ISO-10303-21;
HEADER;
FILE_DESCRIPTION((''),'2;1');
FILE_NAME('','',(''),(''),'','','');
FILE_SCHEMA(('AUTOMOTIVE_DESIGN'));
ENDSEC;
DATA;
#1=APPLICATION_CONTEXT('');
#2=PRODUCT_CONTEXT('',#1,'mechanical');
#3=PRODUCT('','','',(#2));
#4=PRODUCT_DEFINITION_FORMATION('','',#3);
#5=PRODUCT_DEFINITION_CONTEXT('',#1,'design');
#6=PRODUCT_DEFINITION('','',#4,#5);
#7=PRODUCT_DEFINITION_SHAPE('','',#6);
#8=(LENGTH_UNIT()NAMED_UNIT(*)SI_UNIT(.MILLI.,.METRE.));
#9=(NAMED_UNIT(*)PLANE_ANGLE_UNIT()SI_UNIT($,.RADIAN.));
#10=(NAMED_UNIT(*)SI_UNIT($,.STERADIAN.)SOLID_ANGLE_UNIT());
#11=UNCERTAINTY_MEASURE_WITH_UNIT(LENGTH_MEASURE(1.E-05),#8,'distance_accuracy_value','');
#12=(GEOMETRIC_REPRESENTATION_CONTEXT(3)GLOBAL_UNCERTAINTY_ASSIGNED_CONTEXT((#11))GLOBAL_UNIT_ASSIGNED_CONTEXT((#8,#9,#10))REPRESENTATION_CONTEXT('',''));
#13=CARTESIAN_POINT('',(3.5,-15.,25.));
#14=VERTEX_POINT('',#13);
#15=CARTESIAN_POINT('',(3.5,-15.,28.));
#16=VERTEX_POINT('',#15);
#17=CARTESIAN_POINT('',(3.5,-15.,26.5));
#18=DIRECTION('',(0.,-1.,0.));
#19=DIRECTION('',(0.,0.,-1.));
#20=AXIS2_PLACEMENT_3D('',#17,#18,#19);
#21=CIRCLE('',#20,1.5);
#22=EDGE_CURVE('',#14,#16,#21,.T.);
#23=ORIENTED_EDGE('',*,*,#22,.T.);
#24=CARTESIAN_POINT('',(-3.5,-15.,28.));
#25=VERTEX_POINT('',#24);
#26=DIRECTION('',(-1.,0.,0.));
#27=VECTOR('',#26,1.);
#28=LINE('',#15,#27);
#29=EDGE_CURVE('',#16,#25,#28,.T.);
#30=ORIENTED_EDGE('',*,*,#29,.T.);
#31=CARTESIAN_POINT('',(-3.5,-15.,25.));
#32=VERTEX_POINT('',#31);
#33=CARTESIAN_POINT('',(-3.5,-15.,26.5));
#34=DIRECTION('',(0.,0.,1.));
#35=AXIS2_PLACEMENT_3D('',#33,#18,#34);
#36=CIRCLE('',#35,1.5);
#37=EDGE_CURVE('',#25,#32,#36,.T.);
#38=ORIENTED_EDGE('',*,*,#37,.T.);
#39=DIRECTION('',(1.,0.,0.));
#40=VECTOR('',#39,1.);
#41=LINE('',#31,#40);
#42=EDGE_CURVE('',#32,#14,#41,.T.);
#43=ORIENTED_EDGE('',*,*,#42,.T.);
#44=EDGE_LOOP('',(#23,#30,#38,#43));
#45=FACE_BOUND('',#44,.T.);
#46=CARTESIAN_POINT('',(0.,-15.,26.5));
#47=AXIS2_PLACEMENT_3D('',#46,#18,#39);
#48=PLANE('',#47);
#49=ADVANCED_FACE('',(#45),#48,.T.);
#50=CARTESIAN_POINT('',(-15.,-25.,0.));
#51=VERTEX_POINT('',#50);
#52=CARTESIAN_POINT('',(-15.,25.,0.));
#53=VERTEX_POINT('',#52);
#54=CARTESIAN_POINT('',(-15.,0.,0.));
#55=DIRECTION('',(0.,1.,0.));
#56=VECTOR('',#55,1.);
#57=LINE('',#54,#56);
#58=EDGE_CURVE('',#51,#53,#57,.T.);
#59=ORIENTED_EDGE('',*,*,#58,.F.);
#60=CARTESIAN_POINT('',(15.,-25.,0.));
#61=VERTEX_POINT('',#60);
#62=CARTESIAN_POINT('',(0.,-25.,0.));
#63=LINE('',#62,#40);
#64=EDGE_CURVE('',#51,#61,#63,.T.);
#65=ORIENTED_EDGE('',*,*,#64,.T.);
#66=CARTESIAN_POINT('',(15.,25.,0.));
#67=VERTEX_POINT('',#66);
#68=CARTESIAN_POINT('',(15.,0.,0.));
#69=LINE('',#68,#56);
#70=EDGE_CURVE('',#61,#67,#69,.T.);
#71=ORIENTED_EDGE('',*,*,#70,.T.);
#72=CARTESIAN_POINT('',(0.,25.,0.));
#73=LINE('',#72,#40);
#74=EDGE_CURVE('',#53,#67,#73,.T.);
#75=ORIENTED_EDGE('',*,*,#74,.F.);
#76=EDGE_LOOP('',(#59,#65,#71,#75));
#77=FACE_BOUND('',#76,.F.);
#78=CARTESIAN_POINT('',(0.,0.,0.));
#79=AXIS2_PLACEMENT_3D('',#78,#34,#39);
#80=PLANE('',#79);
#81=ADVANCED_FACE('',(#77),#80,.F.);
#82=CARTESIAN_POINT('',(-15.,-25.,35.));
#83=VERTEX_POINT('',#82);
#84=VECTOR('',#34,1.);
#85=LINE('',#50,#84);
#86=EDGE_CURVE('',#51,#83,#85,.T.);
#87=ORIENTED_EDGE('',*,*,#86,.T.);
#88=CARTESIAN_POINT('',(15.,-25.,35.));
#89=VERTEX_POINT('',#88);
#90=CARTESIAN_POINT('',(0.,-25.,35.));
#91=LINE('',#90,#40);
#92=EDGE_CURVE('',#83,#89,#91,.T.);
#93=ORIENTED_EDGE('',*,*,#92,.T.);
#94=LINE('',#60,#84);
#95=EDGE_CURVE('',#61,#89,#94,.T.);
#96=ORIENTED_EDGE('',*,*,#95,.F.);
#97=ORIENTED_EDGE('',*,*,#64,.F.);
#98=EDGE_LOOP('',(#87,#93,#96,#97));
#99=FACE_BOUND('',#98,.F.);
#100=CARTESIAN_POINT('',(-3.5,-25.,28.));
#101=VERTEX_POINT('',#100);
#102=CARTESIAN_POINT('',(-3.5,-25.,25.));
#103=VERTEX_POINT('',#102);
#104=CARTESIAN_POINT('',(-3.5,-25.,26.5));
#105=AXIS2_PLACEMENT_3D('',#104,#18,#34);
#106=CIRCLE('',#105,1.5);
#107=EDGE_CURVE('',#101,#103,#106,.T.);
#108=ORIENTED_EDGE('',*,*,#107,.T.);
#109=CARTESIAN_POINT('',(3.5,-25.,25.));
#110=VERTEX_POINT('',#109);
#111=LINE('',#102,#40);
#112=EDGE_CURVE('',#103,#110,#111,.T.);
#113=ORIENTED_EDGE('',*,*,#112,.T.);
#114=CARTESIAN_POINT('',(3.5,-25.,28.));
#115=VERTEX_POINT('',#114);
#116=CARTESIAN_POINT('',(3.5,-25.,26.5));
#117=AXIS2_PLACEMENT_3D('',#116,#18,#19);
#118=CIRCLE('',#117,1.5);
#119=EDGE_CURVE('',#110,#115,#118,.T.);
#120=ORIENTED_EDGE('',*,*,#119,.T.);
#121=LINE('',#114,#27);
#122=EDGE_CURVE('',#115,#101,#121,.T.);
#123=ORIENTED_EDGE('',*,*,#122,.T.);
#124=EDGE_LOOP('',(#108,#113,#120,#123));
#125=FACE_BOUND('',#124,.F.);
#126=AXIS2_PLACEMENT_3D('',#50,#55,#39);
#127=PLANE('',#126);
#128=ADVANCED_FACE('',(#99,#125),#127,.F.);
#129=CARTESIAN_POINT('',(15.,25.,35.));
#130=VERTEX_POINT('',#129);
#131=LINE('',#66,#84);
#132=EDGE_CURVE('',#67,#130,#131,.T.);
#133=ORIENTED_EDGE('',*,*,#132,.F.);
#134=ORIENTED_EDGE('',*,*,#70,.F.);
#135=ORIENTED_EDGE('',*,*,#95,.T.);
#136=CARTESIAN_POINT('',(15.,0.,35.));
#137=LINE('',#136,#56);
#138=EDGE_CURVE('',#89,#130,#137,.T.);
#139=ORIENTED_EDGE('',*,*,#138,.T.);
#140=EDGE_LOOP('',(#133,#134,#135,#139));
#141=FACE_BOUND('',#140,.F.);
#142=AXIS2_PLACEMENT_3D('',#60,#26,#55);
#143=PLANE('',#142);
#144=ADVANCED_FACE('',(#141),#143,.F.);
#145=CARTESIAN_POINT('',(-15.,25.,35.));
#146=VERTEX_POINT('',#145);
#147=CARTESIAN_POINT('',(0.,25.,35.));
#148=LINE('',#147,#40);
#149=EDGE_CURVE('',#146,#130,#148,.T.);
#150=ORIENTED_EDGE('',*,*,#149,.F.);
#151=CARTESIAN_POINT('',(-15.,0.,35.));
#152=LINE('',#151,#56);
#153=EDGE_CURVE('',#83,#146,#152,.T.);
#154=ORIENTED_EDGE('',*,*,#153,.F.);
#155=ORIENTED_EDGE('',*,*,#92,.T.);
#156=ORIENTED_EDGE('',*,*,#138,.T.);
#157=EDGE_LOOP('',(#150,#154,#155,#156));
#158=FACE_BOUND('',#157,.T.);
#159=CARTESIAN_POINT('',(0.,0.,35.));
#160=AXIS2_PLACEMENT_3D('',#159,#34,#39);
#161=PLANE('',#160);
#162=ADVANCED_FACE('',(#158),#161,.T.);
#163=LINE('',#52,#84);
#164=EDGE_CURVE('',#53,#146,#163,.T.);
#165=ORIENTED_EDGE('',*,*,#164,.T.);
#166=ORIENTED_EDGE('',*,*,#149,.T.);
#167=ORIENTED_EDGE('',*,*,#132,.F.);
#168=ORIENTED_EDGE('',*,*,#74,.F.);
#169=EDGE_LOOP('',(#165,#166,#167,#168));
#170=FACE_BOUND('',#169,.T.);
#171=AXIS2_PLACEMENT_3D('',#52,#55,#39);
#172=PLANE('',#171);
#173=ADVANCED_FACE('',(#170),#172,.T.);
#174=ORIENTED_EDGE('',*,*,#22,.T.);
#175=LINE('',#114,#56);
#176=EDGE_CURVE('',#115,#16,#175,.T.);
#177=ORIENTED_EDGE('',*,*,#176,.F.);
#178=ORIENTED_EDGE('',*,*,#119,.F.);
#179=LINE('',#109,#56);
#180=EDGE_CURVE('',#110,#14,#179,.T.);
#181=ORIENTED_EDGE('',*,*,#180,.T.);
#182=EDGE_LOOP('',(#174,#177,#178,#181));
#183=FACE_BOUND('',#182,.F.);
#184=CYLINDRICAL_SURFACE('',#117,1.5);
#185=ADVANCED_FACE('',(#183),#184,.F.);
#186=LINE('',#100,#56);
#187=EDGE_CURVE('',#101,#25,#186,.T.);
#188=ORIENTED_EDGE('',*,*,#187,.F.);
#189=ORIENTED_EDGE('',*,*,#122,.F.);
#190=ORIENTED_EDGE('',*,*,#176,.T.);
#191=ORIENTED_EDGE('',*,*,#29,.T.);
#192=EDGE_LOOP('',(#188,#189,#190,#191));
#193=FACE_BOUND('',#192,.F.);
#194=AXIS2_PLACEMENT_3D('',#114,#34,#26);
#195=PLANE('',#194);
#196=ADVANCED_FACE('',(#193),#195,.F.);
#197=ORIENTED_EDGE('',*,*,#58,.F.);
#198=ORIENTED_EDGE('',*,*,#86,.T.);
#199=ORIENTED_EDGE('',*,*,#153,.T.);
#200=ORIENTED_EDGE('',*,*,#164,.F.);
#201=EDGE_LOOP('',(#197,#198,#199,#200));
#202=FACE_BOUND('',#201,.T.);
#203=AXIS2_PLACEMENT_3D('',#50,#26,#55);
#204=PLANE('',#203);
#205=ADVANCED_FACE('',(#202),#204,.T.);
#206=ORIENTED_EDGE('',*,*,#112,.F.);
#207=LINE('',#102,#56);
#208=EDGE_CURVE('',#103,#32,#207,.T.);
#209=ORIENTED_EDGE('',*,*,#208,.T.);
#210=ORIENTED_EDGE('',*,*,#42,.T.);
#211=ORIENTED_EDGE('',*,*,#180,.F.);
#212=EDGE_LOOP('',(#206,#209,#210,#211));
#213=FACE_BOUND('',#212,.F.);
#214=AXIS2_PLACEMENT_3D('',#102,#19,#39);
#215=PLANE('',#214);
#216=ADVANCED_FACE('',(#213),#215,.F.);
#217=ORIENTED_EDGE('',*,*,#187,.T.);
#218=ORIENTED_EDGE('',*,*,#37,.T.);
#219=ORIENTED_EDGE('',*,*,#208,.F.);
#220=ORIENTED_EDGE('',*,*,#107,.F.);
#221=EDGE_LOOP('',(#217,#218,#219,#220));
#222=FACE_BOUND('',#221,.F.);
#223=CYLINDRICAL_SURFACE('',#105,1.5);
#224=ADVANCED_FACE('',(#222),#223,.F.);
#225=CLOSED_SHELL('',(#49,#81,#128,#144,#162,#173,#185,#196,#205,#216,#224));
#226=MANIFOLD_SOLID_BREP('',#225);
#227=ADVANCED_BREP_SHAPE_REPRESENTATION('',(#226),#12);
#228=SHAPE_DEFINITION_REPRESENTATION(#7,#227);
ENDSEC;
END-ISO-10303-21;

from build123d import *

# Parameters (mm, degrees)
F0_W     = 30
F0_H     = 50
F1_DEPTH = 35
F3_DEPTH = 10


with BuildPart() as f1:
    # F0 (on Top) → F1 (new body)
    with BuildSketch(Plane.XY):
        Rectangle(F0_W, F0_H)
    extrude(amount=F1_DEPTH)

    # F2 (on face) → F3 (cut)
    with BuildSketch(Plane.XZ.offset(25)):
        with BuildLine():
            Line((-3.5, 25), (0, 25))
            Line((0, 25), (3.5, 25))
            ThreePointArc((3.5, 25), (5, 26.5), (3.5, 28))
            Line((3.5, 28), (0, 28))
            Line((0, 28), (-3.5, 28))
            ThreePointArc((-3.5, 28), (-5, 26.5), (-3.5, 25))
        make_face()
    extrude(amount=-F3_DEPTH, mode=Mode.SUBTRACT)


solid = f1.part
